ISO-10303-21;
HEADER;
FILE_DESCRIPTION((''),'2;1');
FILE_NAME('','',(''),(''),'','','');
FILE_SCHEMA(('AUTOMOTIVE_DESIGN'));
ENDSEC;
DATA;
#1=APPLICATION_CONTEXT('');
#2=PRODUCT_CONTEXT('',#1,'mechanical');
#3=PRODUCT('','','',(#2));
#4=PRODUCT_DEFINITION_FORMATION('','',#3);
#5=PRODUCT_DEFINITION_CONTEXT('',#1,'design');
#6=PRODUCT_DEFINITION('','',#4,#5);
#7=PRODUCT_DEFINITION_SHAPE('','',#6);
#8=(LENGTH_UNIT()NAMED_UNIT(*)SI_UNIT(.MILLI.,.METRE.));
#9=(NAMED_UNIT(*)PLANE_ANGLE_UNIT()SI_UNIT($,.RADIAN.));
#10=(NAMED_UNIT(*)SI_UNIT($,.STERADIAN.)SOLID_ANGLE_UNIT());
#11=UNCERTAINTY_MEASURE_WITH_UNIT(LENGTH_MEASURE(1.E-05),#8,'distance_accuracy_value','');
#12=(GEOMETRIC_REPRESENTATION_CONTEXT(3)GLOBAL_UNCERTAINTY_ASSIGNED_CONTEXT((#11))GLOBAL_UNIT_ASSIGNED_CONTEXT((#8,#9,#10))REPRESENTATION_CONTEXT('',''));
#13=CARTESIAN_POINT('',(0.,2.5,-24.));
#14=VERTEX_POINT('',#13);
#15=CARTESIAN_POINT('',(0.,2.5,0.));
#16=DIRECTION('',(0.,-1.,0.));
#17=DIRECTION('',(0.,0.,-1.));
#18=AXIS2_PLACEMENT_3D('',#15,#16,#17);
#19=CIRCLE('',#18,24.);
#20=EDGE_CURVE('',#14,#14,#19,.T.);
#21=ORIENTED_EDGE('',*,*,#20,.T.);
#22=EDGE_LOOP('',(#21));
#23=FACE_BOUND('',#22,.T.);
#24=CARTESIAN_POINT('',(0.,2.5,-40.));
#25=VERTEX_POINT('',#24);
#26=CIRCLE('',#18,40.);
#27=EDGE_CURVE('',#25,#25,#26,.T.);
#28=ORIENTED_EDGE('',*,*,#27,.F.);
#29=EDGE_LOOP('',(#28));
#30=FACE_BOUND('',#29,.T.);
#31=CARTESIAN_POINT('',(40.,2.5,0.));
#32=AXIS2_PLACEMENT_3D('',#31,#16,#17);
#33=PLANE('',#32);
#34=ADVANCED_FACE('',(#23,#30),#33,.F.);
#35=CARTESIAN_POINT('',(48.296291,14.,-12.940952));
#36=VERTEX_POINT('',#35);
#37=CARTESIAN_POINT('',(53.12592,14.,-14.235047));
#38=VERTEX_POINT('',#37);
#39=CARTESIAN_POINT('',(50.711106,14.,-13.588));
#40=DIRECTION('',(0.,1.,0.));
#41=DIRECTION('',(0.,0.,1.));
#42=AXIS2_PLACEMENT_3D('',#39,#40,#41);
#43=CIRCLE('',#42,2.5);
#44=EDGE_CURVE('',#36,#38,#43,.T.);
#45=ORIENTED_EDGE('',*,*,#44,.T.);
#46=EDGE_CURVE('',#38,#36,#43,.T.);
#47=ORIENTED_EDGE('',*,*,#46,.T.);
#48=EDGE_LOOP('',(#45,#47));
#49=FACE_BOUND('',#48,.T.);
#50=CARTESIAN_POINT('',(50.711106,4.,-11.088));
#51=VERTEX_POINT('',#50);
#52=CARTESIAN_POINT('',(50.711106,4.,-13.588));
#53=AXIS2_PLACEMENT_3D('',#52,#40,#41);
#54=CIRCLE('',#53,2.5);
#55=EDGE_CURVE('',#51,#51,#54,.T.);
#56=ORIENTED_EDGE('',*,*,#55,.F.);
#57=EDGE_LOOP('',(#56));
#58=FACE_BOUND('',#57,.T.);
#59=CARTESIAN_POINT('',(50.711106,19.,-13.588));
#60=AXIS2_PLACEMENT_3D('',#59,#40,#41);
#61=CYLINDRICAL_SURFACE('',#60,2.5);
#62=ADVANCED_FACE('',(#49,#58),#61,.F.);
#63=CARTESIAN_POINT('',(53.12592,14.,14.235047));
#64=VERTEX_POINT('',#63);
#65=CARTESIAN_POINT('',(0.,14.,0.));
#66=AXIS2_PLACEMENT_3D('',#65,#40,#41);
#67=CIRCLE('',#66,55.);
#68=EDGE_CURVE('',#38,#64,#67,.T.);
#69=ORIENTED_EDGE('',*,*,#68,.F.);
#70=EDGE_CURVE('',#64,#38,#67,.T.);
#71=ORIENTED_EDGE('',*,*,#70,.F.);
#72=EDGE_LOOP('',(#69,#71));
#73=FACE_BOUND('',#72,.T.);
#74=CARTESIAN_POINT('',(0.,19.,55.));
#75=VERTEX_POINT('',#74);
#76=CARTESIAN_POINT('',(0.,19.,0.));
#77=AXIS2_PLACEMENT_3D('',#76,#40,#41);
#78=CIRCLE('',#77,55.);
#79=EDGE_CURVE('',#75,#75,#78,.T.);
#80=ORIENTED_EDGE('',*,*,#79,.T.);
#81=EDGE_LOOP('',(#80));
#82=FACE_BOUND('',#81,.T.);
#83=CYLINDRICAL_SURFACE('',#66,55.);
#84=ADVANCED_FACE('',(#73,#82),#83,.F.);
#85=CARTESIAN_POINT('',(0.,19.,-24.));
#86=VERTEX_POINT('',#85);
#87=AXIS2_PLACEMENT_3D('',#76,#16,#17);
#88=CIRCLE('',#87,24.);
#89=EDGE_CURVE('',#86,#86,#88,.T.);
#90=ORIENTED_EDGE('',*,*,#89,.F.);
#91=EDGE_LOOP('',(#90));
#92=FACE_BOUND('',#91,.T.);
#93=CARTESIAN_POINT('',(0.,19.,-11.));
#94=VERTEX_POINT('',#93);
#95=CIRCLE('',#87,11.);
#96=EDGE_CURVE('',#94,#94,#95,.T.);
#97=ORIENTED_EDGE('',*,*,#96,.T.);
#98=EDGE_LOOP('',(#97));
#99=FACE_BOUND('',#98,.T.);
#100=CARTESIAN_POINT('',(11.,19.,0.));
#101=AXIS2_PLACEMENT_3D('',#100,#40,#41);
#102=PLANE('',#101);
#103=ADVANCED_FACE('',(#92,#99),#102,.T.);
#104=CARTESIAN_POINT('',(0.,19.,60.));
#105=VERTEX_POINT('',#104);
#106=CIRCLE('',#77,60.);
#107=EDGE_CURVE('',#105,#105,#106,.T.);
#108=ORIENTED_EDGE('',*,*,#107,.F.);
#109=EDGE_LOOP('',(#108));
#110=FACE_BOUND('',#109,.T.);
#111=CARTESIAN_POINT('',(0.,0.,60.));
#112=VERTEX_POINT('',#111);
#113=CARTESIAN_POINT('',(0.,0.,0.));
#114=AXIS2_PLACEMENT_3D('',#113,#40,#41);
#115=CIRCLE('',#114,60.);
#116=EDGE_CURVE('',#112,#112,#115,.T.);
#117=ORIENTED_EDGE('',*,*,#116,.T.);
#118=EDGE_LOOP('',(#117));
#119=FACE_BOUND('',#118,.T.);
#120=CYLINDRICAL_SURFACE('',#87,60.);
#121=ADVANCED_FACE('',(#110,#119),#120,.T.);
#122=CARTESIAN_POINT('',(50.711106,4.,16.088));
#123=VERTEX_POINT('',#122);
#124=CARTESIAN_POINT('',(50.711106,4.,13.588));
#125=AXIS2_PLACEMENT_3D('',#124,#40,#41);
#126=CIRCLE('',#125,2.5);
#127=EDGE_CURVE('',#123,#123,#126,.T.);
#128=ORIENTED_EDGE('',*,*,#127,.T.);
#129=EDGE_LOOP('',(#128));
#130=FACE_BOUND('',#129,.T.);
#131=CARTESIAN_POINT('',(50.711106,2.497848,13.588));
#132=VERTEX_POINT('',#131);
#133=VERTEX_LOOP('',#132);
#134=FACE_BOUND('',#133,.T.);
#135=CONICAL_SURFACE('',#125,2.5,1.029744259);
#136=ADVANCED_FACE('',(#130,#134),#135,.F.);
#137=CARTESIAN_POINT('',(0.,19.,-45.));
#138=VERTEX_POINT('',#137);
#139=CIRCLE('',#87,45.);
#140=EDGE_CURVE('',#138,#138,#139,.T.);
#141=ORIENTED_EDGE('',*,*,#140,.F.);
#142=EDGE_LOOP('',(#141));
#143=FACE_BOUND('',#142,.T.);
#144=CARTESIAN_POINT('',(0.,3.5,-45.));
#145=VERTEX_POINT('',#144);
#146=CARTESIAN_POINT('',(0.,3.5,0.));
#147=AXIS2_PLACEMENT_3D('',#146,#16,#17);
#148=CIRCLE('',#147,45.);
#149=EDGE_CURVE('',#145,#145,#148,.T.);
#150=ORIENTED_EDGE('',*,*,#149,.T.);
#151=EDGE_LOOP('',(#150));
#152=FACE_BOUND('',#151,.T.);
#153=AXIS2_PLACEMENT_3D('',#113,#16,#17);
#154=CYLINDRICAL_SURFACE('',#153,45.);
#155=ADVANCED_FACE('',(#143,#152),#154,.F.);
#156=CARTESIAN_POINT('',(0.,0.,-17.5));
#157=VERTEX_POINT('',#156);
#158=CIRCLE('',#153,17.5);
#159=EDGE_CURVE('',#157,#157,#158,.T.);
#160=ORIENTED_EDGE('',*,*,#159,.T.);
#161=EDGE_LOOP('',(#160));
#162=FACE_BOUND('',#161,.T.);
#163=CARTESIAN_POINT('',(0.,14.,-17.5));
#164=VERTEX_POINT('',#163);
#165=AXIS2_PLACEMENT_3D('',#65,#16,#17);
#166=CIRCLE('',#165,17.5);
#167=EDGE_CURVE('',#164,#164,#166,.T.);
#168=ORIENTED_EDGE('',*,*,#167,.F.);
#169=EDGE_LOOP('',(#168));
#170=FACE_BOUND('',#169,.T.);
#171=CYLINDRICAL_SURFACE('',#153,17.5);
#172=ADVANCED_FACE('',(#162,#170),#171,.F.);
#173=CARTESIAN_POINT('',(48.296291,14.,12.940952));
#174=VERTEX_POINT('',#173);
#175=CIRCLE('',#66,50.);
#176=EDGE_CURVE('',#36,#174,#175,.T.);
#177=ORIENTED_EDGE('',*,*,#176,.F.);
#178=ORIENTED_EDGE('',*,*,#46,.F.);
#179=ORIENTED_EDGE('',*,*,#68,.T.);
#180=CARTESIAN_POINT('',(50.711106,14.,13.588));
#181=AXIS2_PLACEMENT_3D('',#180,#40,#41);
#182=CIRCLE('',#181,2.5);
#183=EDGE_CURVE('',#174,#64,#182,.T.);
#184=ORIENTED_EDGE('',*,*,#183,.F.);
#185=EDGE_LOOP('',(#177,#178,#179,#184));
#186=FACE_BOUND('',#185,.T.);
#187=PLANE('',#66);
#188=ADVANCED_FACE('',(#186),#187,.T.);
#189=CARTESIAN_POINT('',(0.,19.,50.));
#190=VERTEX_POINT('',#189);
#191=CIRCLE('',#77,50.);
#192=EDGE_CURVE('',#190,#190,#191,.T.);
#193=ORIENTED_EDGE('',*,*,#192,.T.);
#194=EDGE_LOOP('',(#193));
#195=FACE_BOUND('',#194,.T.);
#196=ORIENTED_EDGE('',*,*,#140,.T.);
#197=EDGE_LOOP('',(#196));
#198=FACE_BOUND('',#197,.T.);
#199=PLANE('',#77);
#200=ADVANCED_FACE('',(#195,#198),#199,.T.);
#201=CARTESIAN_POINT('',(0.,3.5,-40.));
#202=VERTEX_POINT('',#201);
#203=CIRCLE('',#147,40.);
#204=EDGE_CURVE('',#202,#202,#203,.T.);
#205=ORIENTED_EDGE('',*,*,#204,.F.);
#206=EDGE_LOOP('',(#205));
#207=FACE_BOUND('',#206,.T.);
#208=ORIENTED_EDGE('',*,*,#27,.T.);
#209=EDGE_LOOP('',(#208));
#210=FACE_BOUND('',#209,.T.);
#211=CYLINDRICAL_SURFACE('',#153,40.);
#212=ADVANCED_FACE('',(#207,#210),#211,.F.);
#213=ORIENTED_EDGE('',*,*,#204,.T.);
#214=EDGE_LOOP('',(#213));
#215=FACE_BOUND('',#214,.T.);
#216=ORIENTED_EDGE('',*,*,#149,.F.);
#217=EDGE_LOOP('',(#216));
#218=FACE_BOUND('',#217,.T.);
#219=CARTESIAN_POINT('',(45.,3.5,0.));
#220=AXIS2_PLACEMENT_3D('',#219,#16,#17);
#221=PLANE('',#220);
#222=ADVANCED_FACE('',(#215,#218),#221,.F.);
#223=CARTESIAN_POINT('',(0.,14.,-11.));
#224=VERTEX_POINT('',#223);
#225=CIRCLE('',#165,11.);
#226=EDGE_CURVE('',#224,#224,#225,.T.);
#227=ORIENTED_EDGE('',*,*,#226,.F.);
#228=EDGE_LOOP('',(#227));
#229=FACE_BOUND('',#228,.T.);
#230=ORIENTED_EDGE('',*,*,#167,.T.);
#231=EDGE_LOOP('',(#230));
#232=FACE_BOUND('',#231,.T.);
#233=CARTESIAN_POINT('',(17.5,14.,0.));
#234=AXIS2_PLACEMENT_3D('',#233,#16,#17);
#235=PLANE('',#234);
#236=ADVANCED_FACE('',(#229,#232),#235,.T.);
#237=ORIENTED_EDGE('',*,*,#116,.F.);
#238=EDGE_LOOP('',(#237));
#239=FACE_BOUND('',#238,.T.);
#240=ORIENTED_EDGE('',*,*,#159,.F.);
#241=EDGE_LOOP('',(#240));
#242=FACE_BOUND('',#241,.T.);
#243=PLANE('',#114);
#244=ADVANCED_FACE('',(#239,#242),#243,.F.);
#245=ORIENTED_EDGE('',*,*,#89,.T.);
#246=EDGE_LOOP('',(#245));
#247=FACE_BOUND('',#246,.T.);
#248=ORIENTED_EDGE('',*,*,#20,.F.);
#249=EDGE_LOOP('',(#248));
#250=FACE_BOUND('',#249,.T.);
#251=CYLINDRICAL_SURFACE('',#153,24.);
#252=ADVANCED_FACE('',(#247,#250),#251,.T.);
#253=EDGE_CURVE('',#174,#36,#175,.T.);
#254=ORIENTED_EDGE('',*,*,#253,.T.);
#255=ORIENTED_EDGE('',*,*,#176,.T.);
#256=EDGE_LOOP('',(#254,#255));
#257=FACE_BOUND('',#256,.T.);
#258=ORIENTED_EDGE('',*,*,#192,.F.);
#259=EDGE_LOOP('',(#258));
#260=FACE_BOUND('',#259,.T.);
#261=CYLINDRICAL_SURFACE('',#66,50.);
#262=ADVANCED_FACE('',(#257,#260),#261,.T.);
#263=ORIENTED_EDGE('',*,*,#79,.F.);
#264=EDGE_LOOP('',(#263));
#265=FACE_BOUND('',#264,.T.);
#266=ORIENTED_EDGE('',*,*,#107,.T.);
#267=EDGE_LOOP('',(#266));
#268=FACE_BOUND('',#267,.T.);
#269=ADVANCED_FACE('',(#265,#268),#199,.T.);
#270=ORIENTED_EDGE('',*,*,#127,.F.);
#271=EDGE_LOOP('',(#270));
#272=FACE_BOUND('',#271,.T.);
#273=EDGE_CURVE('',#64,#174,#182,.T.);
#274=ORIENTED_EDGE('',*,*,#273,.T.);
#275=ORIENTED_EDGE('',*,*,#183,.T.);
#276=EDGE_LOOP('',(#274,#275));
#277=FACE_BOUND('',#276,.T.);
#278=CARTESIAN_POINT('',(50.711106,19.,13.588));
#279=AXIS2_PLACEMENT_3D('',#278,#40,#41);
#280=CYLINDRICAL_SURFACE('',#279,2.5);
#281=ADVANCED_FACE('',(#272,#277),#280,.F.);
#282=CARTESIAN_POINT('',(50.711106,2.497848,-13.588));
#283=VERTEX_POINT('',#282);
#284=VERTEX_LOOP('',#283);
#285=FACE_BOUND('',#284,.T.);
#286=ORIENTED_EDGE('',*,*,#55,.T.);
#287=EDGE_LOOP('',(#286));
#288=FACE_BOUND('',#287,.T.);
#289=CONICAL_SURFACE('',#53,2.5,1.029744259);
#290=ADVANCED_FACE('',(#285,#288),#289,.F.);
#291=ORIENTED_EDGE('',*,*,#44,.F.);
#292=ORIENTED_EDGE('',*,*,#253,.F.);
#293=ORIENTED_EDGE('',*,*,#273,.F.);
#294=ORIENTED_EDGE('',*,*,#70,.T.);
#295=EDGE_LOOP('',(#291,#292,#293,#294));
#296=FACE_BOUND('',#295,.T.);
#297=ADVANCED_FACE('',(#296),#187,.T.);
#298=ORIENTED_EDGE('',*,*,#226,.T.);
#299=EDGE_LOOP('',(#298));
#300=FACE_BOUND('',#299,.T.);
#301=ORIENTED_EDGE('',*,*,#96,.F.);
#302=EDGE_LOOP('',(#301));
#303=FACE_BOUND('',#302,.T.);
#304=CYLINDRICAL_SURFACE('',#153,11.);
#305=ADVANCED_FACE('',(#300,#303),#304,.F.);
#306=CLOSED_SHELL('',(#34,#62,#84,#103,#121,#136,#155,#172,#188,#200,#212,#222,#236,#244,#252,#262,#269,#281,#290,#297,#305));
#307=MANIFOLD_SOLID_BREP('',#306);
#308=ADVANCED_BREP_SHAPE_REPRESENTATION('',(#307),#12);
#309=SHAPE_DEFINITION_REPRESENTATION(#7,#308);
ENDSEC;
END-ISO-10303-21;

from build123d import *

# Parameters (mm, degrees)
SKETCH1_R             = 60
BOSS_EXTRUDE1_DEPTH   = 19
SKETCH2_R             = 55
SKETCH2_R_2           = 50
CUT_EXTRUDE1_DEPTH    = 5
SKETCH6_W             = 17.5
SKETCH6_H             = 14
M6_TAPPED_HOLE1_D     = 5
M6_TAPPED_HOLE1_DEPTH = 15
M6_TAPPED_HOLE1_TIP   = 1.502151548


with BuildPart() as part:
    # Sketch1 → Boss-Extrude1 (new body)
    with BuildSketch(Plane(origin=(0, 0, 0), x_dir=(1, 0, 0), z_dir=(0, 1, 0))):
        with Locations(Location((0, 0, 0), (0, 0, 270))):
            Circle(SKETCH1_R)
    extrude(amount=BOSS_EXTRUDE1_DEPTH)

    # Sketch2 → Cut-Extrude1 (cut)
    with BuildSketch(Plane(origin=(0, 19, 0), x_dir=(1, 0, 0), z_dir=(0, 1, 0))):
        with Locations(Location((0, 0, 0), (0, 0, 270))):
            Circle(SKETCH2_R)
        with Locations(Location((0, 0, 0), (0, 0, 270))):
            Circle(SKETCH2_R_2, mode=Mode.SUBTRACT)
    extrude(amount=-CUT_EXTRUDE1_DEPTH, mode=Mode.SUBTRACT)

    # Sketch4 → Cut-Revolve1 (revolve, cut)
    with BuildSketch(Plane.XY, mode=Mode.PRIVATE) as cut_revolve1_sk:
        Polygon((45, 19), (45, 3.5), (40, 3.5), (40, 2.5), (0, 2.5), (0, 19), align=None)
    revolve(cut_revolve1_sk.sketch.rotate(Axis((0, 0, 0), (0, 1, 0)), 90), axis=Axis((0, 0, 0), (0, 1, 0)), mode=Mode.SUBTRACT)

    # Sketch5 → Revolve1 (revolve)
    with BuildSketch(Plane.XY, mode=Mode.PRIVATE) as revolve1_sk:
        Polygon((17.5, 0), (17.5, 14), (11, 14), (11, 19), (24, 19), (24, 0), align=None)
    revolve(revolve1_sk.sketch.rotate(Axis((0, 0, 0), (0, 1, 0)), 90), axis=Axis((0, 0, 0), (0, 1, 0)))

    # Sketch6 → Cut-Revolve2 (revolve, cut)
    with BuildSketch(Plane.XY, mode=Mode.PRIVATE) as cut_revolve2_sk:
        with Locations((8.75, 7)):
            Rectangle(SKETCH6_W, SKETCH6_H)
    revolve(cut_revolve2_sk.sketch.rotate(Axis((0, 0, 0), (0, 1, 0)), 90), axis=Axis((0, 0, 0), (0, 1, 0)), mode=Mode.SUBTRACT)

    # M6 Tapped Hole1
    with Locations(Plane(origin=(0, 19, 0), x_dir=(1, 0, 0), z_dir=(0, 1, 0))):
        with Locations((50.71110588, 13.587999868), (50.71110588, -13.587999868)):
            Hole(M6_TAPPED_HOLE1_D / 2, depth=M6_TAPPED_HOLE1_DEPTH)
            with Locations((0, 0, -(M6_TAPPED_HOLE1_DEPTH + M6_TAPPED_HOLE1_TIP / 2))):  # 118° drill point
                Cone(0, M6_TAPPED_HOLE1_D / 2, M6_TAPPED_HOLE1_TIP, mode=Mode.SUBTRACT)


solid = part.part
